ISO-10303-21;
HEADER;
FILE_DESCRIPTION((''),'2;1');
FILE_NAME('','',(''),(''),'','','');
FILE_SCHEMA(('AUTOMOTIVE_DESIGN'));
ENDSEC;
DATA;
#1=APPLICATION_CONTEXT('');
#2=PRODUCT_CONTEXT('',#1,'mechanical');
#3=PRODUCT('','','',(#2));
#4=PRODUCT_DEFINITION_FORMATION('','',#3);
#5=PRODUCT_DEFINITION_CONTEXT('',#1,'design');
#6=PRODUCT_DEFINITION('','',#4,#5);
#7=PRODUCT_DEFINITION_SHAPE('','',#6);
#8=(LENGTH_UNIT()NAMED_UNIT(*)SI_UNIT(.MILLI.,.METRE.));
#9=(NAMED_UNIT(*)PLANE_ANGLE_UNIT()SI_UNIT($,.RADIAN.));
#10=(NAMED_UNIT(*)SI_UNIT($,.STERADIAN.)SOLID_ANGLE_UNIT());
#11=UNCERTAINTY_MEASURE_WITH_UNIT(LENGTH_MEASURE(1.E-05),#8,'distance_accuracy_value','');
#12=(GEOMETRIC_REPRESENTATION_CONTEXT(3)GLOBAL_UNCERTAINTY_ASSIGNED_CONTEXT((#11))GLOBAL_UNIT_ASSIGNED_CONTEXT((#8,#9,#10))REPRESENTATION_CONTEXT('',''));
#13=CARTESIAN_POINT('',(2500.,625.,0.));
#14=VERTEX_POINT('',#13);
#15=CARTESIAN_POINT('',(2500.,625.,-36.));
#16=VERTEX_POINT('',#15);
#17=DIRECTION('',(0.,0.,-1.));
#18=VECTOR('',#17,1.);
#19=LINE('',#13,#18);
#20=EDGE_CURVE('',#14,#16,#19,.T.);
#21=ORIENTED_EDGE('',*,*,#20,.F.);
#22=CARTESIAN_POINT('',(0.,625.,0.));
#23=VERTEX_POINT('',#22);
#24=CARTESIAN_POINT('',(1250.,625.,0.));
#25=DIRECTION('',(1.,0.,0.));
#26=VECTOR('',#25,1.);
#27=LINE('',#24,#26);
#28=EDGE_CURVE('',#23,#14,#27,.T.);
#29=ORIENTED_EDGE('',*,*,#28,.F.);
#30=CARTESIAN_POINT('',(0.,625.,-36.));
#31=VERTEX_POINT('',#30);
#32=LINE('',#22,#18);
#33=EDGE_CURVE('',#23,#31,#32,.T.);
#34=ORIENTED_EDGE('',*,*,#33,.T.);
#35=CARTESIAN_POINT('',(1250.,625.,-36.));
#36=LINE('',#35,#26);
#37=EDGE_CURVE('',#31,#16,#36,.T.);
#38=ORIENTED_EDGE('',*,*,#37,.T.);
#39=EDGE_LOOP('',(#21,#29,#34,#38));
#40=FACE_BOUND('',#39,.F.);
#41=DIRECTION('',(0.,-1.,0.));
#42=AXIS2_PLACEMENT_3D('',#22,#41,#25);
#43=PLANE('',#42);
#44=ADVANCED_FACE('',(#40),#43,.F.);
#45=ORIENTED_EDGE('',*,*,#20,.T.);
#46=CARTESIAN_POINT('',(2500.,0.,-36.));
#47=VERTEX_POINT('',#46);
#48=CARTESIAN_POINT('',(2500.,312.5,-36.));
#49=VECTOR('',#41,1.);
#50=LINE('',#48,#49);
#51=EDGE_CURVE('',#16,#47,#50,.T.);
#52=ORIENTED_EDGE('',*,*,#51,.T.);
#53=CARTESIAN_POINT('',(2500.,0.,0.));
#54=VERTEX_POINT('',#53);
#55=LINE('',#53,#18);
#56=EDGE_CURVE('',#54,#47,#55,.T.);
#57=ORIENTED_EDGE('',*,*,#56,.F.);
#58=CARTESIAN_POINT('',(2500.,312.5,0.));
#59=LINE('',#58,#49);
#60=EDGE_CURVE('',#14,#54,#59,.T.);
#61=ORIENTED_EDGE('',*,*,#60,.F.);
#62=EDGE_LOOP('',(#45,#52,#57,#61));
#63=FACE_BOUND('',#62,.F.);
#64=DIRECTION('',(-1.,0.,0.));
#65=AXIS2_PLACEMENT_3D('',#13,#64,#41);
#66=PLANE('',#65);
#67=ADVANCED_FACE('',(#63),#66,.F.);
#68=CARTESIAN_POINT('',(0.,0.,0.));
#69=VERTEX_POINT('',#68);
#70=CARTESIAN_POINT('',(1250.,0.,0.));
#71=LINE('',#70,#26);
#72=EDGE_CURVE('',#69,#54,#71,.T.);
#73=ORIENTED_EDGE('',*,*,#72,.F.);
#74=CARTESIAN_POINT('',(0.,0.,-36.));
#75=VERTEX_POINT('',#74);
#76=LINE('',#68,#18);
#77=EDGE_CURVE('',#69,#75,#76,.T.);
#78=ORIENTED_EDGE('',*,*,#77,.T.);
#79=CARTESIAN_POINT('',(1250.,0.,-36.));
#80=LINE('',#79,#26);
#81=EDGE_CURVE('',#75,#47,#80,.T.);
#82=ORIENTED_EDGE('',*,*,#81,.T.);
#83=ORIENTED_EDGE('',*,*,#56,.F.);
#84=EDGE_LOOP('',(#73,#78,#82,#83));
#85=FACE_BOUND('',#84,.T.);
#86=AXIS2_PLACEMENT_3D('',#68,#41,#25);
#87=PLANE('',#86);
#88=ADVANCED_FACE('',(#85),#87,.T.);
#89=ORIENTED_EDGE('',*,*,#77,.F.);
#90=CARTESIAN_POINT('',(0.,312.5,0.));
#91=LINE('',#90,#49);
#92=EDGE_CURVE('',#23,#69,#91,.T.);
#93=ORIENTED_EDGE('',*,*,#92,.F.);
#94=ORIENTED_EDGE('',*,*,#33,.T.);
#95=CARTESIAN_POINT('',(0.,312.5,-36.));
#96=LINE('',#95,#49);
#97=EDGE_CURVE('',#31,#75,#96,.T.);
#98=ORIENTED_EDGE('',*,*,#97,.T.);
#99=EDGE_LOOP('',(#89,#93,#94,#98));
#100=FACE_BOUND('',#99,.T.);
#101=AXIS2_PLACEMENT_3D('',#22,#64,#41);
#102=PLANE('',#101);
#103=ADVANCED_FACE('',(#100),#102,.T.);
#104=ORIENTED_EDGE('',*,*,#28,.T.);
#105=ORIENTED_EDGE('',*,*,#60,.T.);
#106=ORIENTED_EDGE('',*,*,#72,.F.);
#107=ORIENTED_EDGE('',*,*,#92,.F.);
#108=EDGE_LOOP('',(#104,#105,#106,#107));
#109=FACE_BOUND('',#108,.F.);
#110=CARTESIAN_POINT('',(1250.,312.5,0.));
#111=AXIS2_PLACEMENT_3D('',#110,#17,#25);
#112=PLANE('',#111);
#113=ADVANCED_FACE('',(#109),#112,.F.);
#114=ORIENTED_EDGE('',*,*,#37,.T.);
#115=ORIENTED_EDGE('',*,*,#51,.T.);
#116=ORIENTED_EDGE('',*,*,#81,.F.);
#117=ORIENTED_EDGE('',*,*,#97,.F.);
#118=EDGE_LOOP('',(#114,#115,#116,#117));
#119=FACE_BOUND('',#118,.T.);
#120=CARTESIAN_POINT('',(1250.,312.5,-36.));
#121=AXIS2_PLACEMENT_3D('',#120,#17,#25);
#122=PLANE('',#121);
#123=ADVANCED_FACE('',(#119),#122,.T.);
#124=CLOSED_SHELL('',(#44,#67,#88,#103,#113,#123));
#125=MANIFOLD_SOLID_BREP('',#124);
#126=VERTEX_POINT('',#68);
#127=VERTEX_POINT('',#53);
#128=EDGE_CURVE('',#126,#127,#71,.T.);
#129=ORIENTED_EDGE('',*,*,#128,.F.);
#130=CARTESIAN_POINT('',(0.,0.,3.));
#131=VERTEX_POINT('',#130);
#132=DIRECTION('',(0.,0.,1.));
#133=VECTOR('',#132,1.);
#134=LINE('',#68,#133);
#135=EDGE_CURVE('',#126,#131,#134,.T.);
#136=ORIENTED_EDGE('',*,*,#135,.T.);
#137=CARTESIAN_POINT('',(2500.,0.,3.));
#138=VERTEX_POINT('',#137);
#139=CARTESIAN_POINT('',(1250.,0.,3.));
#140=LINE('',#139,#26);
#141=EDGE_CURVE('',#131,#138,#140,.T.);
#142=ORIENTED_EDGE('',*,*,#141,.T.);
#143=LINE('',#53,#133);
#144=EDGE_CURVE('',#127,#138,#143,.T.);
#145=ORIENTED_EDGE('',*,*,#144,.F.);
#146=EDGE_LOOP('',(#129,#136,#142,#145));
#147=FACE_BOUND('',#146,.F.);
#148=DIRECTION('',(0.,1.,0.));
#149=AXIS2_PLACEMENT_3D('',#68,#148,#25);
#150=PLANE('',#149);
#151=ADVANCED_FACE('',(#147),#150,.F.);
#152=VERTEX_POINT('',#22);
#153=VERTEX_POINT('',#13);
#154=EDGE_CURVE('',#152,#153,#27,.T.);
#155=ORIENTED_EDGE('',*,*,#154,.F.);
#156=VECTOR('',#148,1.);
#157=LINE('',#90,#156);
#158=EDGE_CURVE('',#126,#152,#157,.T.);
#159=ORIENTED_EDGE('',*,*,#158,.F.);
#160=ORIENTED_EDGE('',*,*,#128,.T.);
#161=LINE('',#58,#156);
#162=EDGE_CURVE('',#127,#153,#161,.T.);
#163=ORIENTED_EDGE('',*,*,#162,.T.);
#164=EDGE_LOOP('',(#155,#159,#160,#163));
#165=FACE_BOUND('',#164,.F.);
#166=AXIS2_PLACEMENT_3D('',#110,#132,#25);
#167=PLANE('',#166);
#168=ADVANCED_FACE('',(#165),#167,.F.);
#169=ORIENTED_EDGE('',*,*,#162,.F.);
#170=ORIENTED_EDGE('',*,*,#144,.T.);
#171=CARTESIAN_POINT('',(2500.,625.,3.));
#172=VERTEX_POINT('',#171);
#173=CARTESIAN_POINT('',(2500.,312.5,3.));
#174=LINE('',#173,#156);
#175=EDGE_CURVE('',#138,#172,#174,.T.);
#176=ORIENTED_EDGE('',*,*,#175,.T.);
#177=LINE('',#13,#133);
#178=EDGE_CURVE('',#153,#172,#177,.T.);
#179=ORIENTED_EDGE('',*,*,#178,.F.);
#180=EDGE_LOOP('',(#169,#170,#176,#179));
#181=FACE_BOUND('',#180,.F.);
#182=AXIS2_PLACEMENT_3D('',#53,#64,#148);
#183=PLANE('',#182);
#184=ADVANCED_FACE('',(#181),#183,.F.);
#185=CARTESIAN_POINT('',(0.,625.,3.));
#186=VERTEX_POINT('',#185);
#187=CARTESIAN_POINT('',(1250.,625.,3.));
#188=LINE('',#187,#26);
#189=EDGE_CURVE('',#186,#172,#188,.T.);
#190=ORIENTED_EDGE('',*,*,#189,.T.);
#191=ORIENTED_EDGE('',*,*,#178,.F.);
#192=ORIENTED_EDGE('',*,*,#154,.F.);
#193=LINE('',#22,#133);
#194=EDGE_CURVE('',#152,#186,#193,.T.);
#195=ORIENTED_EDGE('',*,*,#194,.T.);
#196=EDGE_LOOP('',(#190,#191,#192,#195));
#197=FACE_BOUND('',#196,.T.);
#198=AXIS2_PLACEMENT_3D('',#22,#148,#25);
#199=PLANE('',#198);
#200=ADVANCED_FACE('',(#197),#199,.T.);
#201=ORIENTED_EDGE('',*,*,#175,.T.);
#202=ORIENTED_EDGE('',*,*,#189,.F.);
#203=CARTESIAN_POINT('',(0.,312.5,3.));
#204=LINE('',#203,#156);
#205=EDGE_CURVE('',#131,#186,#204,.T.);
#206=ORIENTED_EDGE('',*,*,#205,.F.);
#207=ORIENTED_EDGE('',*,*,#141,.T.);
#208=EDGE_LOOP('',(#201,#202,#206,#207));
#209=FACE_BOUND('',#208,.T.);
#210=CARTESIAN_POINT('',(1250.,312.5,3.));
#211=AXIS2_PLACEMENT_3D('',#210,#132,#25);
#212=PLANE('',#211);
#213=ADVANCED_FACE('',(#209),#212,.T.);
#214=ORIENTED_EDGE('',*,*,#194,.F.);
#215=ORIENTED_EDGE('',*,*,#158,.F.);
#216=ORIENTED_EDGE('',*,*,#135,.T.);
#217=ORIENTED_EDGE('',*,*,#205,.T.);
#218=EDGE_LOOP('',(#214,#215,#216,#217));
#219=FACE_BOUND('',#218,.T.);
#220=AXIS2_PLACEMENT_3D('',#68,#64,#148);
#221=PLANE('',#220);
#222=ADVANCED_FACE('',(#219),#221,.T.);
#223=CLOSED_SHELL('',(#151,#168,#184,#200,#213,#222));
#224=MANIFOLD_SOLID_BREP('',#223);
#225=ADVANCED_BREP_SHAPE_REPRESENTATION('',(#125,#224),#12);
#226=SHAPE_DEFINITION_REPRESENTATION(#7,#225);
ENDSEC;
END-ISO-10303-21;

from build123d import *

# Parameters (mm, degrees)
F0_W      = 2500
F0_H      = 625
F1_DEPTH  = 3
F1_FACE_W = 2500
F1_FACE_H = 625
F2_DEPTH  = 36


with BuildPart() as f1:
    # F0 (on Top) → F1 (new body)
    with BuildSketch(Plane.XY):
        with Locations((1250, 312.5)):
            Rectangle(F0_W, F0_H)
    extrude(amount=F1_DEPTH)


with BuildPart() as f2:
    # F1_face (on face) → F2 (new body)
    with BuildSketch(Plane(origin=(1250, 312.5, 0), x_dir=(1, 0, 0), z_dir=(0, 0, -1))):
        Rectangle(F1_FACE_W, F1_FACE_H)
    extrude(amount=F2_DEPTH)


solid = Compound([f1.part, f2.part])
